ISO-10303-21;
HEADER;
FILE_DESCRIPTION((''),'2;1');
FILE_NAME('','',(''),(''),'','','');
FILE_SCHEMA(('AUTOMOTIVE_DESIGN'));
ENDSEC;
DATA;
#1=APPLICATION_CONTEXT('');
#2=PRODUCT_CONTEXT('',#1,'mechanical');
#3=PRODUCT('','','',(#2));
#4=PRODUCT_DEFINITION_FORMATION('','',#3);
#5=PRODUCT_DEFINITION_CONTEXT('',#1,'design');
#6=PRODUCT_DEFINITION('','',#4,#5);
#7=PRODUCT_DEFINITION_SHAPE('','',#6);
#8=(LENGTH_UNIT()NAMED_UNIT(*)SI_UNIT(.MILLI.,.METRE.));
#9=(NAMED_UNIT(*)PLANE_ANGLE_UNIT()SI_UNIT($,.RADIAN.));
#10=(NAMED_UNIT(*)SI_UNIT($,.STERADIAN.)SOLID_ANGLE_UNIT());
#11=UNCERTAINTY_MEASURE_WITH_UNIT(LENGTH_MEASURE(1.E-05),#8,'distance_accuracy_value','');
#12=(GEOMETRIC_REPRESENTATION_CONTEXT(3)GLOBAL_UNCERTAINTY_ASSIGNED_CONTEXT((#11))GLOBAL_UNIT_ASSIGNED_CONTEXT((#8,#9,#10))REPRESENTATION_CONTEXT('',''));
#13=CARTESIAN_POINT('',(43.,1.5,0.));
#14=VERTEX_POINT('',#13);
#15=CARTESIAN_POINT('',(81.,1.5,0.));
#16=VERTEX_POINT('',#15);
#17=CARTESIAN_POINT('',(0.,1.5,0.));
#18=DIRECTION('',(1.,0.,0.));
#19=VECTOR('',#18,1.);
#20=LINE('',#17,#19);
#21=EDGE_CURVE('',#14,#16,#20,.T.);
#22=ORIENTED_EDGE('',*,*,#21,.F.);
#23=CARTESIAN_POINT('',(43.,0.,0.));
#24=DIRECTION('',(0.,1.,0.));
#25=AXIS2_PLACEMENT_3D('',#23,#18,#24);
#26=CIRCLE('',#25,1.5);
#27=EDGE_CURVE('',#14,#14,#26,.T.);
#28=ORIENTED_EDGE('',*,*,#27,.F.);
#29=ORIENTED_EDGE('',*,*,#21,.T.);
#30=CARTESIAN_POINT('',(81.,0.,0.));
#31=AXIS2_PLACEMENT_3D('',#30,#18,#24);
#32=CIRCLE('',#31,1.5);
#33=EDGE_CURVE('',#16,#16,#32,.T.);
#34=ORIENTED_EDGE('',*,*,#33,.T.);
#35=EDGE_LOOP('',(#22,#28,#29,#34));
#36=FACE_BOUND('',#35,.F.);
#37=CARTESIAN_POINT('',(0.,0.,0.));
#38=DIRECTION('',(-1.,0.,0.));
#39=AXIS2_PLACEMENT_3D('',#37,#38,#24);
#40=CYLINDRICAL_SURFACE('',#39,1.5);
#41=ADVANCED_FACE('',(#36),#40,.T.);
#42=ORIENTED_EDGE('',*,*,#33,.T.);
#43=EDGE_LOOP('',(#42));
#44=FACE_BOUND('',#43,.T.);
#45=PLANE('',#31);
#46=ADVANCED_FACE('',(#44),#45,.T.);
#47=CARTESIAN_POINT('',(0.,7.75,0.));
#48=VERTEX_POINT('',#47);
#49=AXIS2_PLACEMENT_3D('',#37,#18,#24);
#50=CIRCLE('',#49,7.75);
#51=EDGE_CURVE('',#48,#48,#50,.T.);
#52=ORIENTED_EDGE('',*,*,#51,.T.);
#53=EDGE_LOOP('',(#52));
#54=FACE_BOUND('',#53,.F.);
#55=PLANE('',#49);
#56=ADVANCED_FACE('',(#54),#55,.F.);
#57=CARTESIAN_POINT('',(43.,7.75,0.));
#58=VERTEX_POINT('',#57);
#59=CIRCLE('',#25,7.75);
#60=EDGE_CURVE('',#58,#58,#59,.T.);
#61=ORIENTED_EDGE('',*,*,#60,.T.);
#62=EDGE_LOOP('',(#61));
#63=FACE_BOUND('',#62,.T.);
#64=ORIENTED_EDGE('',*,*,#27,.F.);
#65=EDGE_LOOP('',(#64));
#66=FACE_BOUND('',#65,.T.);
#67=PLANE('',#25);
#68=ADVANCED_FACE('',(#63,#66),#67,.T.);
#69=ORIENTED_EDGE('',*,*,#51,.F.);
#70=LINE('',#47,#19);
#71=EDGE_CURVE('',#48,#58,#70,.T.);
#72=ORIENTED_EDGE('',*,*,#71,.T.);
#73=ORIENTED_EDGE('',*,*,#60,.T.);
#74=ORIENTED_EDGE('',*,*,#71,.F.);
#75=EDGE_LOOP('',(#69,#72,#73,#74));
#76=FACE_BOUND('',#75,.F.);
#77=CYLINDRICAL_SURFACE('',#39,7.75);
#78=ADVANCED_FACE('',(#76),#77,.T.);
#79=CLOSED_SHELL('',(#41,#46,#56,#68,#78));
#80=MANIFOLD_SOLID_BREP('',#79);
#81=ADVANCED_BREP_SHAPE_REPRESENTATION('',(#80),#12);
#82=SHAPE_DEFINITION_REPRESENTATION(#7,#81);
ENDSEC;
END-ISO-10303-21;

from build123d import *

# Parameters (mm, degrees)
F0_R     = 7.75
F0_R_2   = 1.5
F1_DEPTH = 43
F2_R     = 1.5
F3_DEPTH = 81


with BuildPart() as f1:
    # F0 (on Right) → F1 (new body)
    with BuildSketch(Plane.YZ):
        Circle(F0_R)
        Circle(F0_R_2, mode=Mode.SUBTRACT)
    extrude(amount=F1_DEPTH)

    # F2 (on Right) → F3 (join)
    with BuildSketch(Plane.YZ):
        Circle(F2_R)
    extrude(amount=F3_DEPTH)


solid = f1.part
